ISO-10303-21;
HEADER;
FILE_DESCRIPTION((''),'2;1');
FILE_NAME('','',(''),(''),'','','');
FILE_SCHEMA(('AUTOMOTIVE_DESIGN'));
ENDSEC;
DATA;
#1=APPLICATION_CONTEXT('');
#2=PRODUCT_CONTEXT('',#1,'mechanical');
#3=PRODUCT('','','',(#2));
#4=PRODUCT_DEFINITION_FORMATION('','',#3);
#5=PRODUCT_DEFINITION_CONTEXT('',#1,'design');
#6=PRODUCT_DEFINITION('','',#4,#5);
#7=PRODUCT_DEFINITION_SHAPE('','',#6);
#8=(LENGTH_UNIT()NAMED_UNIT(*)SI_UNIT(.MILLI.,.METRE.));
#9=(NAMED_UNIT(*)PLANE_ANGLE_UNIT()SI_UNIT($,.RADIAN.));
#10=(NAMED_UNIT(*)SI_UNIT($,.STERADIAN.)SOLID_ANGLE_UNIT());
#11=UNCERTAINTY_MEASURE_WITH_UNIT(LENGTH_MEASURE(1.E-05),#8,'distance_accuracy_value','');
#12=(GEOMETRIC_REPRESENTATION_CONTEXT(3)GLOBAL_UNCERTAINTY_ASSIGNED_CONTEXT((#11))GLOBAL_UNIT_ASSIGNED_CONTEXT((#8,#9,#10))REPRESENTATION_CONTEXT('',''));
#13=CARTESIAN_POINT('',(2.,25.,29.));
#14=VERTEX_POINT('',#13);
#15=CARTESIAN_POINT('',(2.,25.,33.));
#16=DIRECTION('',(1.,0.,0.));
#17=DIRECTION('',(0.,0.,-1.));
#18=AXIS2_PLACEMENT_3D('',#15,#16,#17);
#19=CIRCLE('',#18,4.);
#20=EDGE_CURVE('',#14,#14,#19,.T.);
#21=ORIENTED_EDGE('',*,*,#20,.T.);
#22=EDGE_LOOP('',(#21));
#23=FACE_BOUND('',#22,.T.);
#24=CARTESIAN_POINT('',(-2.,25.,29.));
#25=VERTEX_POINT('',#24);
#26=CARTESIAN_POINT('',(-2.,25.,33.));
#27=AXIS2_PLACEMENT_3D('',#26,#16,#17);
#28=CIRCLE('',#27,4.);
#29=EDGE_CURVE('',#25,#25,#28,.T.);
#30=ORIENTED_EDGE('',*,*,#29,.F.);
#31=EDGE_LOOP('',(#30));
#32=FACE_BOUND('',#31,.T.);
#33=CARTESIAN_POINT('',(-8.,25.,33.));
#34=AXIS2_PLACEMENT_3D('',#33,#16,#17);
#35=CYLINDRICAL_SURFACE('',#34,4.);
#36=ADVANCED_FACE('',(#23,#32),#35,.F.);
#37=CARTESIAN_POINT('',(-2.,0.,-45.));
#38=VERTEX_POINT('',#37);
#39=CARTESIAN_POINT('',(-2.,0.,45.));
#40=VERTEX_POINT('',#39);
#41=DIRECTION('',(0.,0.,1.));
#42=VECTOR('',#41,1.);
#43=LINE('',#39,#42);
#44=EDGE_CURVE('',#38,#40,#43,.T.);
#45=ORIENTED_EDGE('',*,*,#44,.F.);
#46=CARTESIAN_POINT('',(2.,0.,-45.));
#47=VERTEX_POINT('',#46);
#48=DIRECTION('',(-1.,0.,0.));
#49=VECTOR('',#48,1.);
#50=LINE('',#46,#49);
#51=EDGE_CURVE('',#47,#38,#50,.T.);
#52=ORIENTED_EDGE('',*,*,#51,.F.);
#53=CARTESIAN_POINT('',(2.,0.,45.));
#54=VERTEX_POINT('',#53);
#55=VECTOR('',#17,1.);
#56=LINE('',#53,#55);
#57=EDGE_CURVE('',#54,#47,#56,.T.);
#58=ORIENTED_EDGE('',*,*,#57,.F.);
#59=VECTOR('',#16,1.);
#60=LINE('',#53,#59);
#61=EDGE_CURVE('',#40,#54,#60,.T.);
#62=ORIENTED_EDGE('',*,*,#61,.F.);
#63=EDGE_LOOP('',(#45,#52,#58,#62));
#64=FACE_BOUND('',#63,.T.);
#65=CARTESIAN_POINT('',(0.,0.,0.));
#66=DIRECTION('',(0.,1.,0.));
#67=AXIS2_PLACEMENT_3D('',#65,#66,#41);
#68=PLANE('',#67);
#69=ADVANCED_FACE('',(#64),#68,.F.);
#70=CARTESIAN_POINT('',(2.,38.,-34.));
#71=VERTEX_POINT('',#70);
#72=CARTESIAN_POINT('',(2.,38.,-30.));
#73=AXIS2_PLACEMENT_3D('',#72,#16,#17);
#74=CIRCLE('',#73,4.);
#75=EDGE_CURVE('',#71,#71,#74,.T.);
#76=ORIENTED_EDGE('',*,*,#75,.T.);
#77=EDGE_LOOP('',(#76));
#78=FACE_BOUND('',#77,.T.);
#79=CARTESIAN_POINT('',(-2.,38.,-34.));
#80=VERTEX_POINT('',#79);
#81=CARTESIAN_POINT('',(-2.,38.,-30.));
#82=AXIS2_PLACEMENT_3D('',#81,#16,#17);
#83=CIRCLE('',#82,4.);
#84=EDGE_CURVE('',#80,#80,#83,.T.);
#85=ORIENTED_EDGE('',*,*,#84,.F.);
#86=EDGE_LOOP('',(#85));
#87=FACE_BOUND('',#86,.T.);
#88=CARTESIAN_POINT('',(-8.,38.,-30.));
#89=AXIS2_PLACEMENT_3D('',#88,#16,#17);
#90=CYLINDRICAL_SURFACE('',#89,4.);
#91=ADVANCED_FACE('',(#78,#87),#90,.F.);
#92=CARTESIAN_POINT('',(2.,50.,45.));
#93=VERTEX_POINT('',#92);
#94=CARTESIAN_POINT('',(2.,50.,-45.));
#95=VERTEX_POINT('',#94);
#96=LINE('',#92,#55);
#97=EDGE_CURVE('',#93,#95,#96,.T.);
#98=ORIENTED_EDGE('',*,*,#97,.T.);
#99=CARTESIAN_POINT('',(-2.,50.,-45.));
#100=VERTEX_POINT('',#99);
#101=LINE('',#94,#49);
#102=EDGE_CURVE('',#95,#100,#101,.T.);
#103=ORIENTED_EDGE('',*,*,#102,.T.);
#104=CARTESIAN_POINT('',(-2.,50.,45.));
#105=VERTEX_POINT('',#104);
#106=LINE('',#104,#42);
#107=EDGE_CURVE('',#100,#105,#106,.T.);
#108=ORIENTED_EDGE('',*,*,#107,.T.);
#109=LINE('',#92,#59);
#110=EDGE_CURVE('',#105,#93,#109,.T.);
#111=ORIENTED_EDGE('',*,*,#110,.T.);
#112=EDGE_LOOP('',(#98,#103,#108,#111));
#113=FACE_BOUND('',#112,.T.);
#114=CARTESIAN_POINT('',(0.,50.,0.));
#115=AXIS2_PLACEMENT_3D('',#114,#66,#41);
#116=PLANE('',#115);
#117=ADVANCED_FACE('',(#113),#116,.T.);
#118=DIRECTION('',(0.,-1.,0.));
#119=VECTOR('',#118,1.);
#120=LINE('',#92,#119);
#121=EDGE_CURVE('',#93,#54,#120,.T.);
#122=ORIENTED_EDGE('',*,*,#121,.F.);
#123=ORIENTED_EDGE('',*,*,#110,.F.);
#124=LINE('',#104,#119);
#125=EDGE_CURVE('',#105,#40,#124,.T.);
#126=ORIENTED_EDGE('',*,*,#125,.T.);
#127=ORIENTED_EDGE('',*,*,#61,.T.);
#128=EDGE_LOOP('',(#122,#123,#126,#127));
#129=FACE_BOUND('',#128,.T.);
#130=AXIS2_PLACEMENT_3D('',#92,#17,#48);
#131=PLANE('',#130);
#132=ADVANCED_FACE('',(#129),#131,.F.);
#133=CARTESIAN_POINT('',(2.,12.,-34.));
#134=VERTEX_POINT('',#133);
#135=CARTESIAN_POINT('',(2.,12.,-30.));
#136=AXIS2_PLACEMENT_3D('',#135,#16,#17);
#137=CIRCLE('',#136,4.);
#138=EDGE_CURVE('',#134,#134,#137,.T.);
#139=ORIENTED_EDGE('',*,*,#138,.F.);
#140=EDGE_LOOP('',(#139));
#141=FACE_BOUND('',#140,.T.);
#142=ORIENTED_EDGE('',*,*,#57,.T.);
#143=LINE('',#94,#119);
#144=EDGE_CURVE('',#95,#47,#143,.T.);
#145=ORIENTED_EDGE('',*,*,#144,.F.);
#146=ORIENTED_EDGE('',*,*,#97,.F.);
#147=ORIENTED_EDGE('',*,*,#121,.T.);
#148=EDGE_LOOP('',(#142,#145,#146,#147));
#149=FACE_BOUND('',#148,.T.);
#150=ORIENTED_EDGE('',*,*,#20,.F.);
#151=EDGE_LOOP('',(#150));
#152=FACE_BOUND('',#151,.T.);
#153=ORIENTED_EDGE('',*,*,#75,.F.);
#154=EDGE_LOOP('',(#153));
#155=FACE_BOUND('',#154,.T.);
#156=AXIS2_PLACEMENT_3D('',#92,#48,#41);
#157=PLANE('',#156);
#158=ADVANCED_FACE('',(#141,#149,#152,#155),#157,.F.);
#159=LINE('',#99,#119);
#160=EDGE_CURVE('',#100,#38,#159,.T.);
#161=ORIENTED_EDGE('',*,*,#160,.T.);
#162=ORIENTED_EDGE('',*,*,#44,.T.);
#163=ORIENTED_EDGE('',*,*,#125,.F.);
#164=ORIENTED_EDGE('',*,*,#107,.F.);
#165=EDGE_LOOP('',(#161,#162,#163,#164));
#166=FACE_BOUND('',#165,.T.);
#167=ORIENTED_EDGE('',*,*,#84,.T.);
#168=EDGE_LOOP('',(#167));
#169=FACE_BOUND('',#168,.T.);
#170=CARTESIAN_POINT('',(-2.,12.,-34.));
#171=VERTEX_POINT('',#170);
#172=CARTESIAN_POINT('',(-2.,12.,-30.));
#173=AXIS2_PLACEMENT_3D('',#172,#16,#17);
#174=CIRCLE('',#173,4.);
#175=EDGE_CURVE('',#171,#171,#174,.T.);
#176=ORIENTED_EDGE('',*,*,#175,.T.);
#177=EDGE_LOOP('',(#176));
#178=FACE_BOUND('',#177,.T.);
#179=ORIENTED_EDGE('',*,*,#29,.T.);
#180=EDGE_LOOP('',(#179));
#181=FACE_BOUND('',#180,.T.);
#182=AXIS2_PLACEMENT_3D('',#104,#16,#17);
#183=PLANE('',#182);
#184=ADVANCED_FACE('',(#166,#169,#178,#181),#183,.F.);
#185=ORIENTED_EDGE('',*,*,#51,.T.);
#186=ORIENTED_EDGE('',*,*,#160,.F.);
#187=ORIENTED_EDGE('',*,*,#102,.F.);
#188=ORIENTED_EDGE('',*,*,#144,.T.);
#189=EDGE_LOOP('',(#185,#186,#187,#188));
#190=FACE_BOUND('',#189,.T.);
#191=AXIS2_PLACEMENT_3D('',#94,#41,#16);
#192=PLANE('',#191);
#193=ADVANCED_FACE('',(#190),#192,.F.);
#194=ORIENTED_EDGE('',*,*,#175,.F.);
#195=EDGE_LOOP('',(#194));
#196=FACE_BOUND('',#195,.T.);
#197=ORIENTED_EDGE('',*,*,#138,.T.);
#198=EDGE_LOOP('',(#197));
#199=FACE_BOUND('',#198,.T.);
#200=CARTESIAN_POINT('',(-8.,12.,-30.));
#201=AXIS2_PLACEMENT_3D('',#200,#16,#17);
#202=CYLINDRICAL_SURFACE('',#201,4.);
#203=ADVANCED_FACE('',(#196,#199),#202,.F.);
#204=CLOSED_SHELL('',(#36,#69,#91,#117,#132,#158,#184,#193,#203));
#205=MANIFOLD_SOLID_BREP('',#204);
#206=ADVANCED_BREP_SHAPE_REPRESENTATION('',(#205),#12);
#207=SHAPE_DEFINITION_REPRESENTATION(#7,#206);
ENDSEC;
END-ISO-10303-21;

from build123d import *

# Parameters (mm, degrees)
SKETCH1_W           = 4
SKETCH1_H           = 90
BOSS_EXTRUDE1_DEPTH = 50
SKETCH2_R           = 4
CUT_EXTRUDE1_DEPTH  = 10


with BuildPart() as part:
    # Sketch1 → Boss-Extrude1 (new body)
    with BuildSketch(Plane(origin=(0, 0, 0), x_dir=(1, 0, 0), z_dir=(0, 1, 0))):
        Rectangle(SKETCH1_W, SKETCH1_H)
    extrude(amount=BOSS_EXTRUDE1_DEPTH)

    # Sketch2 → Cut-Extrude1 (cut)
    with BuildSketch(Plane(origin=(2, 0, 0), x_dir=(0, 0, -1), z_dir=(1, 0, 0))):
        with Locations((-33, 25)):
            Circle(SKETCH2_R)
        with Locations((30, 38)):
            Circle(SKETCH2_R)
        with Locations((30, 12)):
            Circle(SKETCH2_R)
    extrude(amount=-CUT_EXTRUDE1_DEPTH, mode=Mode.SUBTRACT)


solid = part.part
